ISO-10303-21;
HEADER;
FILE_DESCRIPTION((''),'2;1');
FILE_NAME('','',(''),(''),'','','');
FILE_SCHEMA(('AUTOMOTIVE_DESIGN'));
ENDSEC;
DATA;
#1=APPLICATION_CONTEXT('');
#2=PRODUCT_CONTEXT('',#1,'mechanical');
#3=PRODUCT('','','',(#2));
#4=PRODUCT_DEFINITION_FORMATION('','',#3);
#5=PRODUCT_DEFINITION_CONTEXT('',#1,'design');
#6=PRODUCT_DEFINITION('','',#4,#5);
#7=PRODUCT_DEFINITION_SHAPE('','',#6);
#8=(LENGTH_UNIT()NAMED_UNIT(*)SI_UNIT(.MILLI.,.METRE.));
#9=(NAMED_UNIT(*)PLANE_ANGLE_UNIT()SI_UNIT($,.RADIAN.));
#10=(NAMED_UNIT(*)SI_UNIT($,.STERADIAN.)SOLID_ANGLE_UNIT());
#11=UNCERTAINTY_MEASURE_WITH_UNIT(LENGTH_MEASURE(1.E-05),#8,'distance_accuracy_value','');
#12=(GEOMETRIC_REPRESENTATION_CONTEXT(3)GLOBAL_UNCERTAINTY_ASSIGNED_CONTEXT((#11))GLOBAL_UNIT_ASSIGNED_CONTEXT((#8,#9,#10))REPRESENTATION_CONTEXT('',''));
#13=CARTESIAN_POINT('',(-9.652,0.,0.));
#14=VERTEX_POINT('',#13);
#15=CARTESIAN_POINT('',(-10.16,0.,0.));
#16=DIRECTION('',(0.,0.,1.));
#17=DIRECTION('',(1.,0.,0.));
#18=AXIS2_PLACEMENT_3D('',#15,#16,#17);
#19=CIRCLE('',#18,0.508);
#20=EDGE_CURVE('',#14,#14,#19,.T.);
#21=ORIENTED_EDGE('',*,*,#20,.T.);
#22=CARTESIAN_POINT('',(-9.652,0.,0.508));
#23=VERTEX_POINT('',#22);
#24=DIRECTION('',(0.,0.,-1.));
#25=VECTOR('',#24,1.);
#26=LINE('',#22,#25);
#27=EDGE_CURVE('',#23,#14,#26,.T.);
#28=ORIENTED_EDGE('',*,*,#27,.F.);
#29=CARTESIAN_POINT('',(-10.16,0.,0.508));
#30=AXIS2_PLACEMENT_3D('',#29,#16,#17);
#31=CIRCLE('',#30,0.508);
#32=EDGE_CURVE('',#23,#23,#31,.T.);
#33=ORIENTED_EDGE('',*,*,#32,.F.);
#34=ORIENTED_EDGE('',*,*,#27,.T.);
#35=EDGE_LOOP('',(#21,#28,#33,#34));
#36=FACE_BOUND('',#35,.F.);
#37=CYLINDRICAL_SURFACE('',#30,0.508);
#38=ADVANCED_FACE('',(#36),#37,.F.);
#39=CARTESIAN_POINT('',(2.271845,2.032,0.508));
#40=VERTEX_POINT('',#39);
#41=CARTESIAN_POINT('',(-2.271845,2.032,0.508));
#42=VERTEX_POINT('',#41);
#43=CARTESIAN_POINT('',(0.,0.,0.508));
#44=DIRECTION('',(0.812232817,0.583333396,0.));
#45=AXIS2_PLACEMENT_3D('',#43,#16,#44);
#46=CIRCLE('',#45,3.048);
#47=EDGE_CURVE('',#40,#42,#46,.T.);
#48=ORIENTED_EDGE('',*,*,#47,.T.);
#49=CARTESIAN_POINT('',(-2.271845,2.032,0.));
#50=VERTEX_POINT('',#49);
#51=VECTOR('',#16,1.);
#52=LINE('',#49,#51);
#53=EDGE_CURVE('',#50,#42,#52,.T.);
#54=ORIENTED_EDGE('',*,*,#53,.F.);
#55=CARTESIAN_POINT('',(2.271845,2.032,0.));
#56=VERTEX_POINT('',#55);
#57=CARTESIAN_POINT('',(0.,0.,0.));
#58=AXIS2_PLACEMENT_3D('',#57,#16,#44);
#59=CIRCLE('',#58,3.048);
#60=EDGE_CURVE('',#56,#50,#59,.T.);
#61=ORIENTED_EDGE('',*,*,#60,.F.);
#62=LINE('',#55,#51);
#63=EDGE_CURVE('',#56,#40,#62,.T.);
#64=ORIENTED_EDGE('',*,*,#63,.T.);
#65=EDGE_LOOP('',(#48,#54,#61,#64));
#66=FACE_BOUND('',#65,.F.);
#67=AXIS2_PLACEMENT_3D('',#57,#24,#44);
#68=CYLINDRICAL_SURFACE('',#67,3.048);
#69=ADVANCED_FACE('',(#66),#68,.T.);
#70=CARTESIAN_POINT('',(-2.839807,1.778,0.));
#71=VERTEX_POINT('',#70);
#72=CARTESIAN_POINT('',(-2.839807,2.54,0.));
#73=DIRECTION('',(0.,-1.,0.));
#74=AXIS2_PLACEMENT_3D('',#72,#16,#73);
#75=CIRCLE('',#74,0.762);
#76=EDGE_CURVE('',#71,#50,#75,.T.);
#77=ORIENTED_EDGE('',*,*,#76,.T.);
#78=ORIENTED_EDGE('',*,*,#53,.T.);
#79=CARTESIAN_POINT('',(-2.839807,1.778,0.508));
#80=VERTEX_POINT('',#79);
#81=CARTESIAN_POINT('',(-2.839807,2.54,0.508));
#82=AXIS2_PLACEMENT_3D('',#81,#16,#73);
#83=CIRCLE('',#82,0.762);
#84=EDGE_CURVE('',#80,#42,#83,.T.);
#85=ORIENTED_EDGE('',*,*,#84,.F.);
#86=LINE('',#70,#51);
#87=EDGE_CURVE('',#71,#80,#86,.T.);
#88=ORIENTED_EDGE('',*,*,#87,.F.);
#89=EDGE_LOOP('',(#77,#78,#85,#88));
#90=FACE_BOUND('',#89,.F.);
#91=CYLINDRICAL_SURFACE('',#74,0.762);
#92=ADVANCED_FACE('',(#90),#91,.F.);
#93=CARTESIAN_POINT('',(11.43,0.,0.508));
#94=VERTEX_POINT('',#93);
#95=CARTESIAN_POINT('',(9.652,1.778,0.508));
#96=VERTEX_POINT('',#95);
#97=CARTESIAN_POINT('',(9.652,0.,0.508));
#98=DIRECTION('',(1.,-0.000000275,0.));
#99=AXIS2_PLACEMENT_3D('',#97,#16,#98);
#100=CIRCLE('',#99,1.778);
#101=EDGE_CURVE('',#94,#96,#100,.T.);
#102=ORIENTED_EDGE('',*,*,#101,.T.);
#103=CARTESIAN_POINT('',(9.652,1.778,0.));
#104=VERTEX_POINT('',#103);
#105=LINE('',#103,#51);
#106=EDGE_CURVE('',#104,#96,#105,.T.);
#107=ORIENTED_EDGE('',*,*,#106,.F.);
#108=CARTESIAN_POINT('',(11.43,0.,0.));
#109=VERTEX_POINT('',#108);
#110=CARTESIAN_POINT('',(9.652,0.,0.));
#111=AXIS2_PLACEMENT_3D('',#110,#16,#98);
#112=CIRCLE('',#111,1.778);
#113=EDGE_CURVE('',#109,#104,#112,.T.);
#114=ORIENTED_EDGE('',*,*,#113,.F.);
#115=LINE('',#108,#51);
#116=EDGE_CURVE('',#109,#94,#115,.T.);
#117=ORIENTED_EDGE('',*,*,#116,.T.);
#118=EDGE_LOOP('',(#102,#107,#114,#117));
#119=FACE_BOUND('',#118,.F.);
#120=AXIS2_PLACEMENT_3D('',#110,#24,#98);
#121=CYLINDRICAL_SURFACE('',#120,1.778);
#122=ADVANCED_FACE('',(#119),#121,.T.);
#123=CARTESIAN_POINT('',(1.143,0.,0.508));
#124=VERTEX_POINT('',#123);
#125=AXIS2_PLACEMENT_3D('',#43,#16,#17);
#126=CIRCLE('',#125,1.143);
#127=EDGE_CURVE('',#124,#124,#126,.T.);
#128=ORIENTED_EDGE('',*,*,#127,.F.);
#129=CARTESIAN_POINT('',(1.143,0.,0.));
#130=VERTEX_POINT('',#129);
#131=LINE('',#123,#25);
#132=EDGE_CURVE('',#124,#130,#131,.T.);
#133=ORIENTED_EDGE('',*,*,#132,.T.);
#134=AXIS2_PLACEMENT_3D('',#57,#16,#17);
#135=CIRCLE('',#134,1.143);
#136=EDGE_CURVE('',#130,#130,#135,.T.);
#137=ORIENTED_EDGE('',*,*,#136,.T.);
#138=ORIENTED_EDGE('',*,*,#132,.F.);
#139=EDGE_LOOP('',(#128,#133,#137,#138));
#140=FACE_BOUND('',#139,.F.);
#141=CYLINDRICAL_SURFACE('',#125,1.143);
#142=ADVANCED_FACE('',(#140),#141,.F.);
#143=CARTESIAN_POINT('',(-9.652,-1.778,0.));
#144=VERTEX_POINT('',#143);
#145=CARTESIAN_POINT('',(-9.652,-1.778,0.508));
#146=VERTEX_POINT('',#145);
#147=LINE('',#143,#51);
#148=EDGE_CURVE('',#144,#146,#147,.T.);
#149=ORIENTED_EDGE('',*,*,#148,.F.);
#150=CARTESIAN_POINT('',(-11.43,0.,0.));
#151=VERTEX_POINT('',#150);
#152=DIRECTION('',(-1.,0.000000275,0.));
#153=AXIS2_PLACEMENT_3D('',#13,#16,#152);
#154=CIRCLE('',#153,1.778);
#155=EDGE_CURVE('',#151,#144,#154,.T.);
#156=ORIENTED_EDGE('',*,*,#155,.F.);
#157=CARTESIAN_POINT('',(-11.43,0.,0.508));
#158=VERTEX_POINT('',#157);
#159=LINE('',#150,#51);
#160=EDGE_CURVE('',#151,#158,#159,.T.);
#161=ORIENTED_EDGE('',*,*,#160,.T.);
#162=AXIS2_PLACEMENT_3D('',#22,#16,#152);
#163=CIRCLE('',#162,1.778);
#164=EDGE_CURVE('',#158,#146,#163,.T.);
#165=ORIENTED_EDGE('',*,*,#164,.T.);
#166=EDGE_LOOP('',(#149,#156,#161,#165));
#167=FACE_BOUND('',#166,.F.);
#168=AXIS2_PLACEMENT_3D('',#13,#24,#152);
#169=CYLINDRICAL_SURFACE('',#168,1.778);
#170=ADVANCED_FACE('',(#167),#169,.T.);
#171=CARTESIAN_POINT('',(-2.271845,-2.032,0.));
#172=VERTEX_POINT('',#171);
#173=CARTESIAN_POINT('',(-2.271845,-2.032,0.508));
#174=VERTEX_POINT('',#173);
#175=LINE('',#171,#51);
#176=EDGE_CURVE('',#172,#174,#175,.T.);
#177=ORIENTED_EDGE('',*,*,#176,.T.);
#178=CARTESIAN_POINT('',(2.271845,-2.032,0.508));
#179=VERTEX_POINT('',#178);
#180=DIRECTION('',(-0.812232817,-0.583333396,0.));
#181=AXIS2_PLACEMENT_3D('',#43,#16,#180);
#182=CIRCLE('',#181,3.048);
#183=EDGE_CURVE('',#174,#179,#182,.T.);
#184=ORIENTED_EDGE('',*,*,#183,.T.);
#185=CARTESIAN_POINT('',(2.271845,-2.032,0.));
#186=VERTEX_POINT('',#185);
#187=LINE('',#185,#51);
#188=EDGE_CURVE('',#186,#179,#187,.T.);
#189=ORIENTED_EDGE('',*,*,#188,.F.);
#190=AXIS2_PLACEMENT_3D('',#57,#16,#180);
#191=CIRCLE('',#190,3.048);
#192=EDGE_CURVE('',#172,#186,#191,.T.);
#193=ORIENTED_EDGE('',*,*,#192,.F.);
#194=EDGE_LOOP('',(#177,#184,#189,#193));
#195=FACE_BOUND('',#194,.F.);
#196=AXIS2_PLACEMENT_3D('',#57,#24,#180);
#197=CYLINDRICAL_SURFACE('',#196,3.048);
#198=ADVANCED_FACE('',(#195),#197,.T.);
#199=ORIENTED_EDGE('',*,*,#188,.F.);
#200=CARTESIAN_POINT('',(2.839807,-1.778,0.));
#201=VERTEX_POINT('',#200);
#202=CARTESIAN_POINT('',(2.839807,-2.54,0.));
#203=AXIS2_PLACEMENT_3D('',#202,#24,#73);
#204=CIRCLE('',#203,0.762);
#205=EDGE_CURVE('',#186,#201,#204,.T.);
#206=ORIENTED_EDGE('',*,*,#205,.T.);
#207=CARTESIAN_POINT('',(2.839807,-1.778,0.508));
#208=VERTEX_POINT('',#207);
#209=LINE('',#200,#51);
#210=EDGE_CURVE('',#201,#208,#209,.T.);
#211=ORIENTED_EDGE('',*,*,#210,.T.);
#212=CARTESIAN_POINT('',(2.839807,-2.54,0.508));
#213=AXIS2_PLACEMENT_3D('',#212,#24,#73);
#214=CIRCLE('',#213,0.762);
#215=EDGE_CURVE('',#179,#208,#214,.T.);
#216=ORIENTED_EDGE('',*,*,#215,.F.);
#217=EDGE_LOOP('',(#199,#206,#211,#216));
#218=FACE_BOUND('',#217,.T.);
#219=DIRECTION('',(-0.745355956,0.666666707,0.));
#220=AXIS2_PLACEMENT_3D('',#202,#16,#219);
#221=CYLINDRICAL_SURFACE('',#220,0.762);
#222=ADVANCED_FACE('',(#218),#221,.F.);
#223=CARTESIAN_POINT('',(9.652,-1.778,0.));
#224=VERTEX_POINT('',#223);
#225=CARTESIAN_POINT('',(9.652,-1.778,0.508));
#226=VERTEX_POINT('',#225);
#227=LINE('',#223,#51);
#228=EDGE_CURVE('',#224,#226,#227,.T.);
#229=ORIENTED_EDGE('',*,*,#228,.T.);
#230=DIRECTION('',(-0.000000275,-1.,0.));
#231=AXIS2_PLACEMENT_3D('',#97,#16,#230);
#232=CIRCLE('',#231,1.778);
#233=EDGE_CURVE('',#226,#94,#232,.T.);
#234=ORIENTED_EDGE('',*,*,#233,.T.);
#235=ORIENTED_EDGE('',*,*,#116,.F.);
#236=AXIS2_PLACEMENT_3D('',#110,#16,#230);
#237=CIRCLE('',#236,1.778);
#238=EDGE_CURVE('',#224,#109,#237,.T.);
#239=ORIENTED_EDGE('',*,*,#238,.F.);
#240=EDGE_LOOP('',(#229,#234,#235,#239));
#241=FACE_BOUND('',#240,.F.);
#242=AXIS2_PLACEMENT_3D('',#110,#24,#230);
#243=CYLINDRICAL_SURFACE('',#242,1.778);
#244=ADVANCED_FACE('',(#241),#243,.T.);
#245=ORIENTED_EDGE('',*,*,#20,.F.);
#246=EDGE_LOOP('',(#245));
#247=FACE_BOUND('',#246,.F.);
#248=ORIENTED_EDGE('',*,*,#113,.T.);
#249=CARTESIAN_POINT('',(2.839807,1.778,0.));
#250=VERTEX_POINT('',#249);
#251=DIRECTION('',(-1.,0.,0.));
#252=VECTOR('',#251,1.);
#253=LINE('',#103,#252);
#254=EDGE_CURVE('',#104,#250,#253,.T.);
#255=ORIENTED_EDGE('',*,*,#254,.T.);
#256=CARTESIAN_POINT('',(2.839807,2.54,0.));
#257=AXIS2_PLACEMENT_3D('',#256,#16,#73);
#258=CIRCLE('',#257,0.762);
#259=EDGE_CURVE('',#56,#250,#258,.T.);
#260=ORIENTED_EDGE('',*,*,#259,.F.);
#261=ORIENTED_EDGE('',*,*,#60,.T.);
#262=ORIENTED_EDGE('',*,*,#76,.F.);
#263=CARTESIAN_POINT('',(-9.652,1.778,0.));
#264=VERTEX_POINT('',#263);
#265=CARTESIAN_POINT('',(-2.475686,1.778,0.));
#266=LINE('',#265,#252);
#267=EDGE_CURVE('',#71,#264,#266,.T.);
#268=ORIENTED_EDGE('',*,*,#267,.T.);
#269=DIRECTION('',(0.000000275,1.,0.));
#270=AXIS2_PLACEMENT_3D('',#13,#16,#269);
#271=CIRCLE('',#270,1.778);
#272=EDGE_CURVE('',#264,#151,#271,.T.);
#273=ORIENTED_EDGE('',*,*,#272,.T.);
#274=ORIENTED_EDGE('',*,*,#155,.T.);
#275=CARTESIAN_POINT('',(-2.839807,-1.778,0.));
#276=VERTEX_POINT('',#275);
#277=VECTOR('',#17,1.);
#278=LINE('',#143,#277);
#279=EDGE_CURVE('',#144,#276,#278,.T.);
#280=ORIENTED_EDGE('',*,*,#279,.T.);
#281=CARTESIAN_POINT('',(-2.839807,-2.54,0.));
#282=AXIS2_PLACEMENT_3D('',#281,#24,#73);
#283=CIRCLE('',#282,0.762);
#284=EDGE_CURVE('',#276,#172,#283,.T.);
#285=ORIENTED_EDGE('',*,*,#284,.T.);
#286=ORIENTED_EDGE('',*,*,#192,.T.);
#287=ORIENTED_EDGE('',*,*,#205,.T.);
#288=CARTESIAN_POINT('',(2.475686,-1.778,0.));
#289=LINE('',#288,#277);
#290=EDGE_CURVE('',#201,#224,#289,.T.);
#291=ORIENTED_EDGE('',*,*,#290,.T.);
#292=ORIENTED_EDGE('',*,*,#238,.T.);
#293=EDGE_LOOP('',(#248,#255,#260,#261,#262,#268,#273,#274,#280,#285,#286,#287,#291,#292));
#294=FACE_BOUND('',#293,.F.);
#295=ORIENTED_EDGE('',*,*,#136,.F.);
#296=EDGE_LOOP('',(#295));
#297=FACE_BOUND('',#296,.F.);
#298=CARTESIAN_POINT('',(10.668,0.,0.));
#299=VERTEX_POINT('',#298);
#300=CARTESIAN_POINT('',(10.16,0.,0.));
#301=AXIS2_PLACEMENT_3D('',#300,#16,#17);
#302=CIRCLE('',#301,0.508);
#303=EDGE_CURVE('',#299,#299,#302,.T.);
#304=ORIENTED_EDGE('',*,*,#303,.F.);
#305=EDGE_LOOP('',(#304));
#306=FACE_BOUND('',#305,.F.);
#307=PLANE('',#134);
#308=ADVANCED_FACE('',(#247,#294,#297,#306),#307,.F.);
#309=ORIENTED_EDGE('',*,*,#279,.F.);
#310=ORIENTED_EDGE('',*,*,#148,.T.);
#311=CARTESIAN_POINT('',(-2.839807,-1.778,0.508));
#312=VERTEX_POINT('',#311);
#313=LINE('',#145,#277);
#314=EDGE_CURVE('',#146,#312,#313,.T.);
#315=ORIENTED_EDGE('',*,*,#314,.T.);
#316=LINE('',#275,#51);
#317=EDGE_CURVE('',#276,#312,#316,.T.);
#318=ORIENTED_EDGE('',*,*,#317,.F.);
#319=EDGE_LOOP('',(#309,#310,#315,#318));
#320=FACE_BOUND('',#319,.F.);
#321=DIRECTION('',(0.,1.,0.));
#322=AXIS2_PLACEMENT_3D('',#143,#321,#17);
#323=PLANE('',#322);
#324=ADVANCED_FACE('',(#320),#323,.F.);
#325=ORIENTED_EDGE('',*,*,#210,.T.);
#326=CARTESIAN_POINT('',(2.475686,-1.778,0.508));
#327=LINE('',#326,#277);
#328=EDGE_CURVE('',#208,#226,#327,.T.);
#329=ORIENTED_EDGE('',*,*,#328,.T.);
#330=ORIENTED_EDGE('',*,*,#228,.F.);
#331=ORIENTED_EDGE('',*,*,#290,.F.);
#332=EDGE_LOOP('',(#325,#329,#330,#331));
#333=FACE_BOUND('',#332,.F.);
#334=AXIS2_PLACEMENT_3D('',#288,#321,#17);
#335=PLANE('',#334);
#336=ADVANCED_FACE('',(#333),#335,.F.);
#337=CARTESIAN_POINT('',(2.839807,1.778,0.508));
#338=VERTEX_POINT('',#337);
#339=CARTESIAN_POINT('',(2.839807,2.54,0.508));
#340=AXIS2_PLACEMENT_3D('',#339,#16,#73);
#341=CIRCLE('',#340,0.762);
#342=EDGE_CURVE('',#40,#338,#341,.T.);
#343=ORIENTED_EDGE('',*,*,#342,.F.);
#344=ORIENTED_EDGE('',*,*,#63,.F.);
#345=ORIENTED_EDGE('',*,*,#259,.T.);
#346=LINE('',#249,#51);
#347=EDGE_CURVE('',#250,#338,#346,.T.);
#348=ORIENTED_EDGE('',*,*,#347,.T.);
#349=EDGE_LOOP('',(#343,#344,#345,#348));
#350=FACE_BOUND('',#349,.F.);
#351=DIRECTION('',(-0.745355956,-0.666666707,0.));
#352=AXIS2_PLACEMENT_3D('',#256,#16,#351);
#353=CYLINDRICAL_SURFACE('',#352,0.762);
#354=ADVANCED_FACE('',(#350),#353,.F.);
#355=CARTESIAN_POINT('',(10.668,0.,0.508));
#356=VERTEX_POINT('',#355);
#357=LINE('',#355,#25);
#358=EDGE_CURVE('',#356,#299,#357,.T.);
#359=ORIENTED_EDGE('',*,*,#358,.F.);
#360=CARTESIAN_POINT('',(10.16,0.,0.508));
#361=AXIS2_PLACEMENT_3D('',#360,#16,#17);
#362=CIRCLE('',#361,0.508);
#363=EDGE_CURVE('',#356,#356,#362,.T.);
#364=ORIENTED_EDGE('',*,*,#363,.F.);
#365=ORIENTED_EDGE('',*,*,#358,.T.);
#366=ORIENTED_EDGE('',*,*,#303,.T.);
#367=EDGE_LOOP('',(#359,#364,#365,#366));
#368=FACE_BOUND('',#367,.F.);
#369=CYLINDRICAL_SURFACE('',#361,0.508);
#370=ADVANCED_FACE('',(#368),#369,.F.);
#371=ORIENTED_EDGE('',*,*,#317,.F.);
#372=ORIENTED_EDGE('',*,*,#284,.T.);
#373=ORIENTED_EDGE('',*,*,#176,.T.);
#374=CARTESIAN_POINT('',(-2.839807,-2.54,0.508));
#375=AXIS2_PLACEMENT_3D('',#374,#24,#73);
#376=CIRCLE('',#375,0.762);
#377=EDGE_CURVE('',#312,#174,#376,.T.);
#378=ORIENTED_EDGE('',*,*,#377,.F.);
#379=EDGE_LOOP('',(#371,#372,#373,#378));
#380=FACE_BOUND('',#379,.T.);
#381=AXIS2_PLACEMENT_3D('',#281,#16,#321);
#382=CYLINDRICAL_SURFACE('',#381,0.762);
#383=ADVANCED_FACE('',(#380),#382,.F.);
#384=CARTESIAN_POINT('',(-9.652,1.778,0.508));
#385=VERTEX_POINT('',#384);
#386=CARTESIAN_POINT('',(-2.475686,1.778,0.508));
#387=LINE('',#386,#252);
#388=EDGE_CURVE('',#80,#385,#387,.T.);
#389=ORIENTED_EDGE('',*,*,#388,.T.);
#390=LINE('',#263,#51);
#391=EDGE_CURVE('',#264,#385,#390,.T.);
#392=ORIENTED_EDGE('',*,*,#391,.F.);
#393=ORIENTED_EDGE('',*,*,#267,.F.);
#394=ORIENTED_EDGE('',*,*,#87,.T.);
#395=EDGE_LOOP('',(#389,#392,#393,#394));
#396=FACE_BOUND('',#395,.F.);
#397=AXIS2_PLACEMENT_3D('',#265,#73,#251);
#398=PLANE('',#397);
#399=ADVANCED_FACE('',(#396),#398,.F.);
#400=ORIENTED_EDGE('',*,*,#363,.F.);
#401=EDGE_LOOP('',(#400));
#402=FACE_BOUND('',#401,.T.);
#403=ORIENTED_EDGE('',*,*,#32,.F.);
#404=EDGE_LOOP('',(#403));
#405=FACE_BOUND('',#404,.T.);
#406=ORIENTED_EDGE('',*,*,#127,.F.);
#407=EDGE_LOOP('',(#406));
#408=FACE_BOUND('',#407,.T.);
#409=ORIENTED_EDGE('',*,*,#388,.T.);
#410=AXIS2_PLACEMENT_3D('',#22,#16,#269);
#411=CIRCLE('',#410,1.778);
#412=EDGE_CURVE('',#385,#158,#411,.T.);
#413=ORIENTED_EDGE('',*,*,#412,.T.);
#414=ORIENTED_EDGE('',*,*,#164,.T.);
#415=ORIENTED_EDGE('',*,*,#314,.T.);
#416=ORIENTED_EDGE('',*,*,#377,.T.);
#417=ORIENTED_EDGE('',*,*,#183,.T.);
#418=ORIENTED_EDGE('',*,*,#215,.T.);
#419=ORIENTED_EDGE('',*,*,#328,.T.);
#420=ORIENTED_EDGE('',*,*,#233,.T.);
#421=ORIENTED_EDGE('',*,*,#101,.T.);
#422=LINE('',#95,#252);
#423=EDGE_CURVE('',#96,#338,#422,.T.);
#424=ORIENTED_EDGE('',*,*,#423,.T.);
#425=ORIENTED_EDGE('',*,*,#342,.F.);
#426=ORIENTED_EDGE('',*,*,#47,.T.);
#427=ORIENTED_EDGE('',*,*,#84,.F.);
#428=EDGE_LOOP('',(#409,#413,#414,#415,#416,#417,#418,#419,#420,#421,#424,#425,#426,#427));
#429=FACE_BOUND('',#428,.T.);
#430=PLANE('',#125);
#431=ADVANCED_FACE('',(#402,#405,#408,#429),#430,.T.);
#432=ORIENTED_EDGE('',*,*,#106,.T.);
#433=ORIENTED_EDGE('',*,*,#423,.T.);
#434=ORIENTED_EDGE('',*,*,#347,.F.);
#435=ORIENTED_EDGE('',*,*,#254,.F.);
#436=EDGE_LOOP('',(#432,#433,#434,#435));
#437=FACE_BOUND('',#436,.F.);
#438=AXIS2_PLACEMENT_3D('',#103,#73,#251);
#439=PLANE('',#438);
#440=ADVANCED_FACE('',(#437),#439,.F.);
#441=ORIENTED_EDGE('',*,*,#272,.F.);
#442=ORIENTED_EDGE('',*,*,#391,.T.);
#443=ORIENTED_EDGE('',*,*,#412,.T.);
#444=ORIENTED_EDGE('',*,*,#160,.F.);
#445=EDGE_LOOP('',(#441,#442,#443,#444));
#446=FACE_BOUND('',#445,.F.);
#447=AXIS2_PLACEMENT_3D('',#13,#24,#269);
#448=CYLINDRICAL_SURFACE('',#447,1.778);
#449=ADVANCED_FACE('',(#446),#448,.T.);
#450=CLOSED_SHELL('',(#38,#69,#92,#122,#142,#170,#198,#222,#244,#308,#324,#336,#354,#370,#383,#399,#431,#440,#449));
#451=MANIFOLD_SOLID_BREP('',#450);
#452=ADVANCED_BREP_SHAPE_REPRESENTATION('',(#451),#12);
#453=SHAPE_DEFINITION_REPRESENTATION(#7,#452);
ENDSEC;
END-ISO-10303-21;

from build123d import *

# Parameters (mm, degrees)
F1_DEPTH = 0.508
F2_R     = 0.508
F2_R_2   = 1.143
F3_DEPTH = 0.509
F4_R     = 0.762


with BuildPart() as f1:
    # F0 (on Top) → F1 (new body)
    with BuildSketch(Plane.XY):
        with BuildLine():
            Line((-2.475686, 1.778), (-9.652, 1.778))
            ThreePointArc((-9.652, 1.778), (-10.909236, 1.257236), (-11.43, 0))
            ThreePointArc((-11.43, 0), (-10.909236, -1.257236), (-9.652, -1.778))
            Line((-9.652, -1.778), (-2.475686, -1.778))
            ThreePointArc((-2.475686, -1.778), (0, -3.048), (2.475686, -1.778))
            Line((2.475686, -1.778), (9.652, -1.778))
            ThreePointArc((9.652, -1.778), (10.909236, -1.257236), (11.43, 0))
            ThreePointArc((11.43, 0), (10.909236, 1.257236), (9.652, 1.778))
            Line((9.652, 1.778), (2.475686, 1.778))
            ThreePointArc((2.475686, 1.778), (0, 3.048), (-2.475686, 1.778))
        make_face()
    extrude(amount=F1_DEPTH)

    # F2 (on face) → F3 (cut, through all)
    with BuildSketch(Plane.XY.offset(0.508)):
        with Locations((-10.16, 0)):
            Circle(F2_R)
        with Locations((10.16, 0)):
            Circle(F2_R)
        Circle(F2_R_2)
    extrude(amount=-F3_DEPTH, mode=Mode.SUBTRACT)

    # F4
    f4_edges = [f1.edges().sort_by_distance(p)[0] for p in [
        (-2.475686, -1.778, 0.254),
        (2.475686, -1.778, 0.254),
        (-2.475686, 1.778, 0.254),
        (2.475686, 1.778, 0.254),
    ]]
    fillet(f4_edges, radius=F4_R)


solid = f1.part
